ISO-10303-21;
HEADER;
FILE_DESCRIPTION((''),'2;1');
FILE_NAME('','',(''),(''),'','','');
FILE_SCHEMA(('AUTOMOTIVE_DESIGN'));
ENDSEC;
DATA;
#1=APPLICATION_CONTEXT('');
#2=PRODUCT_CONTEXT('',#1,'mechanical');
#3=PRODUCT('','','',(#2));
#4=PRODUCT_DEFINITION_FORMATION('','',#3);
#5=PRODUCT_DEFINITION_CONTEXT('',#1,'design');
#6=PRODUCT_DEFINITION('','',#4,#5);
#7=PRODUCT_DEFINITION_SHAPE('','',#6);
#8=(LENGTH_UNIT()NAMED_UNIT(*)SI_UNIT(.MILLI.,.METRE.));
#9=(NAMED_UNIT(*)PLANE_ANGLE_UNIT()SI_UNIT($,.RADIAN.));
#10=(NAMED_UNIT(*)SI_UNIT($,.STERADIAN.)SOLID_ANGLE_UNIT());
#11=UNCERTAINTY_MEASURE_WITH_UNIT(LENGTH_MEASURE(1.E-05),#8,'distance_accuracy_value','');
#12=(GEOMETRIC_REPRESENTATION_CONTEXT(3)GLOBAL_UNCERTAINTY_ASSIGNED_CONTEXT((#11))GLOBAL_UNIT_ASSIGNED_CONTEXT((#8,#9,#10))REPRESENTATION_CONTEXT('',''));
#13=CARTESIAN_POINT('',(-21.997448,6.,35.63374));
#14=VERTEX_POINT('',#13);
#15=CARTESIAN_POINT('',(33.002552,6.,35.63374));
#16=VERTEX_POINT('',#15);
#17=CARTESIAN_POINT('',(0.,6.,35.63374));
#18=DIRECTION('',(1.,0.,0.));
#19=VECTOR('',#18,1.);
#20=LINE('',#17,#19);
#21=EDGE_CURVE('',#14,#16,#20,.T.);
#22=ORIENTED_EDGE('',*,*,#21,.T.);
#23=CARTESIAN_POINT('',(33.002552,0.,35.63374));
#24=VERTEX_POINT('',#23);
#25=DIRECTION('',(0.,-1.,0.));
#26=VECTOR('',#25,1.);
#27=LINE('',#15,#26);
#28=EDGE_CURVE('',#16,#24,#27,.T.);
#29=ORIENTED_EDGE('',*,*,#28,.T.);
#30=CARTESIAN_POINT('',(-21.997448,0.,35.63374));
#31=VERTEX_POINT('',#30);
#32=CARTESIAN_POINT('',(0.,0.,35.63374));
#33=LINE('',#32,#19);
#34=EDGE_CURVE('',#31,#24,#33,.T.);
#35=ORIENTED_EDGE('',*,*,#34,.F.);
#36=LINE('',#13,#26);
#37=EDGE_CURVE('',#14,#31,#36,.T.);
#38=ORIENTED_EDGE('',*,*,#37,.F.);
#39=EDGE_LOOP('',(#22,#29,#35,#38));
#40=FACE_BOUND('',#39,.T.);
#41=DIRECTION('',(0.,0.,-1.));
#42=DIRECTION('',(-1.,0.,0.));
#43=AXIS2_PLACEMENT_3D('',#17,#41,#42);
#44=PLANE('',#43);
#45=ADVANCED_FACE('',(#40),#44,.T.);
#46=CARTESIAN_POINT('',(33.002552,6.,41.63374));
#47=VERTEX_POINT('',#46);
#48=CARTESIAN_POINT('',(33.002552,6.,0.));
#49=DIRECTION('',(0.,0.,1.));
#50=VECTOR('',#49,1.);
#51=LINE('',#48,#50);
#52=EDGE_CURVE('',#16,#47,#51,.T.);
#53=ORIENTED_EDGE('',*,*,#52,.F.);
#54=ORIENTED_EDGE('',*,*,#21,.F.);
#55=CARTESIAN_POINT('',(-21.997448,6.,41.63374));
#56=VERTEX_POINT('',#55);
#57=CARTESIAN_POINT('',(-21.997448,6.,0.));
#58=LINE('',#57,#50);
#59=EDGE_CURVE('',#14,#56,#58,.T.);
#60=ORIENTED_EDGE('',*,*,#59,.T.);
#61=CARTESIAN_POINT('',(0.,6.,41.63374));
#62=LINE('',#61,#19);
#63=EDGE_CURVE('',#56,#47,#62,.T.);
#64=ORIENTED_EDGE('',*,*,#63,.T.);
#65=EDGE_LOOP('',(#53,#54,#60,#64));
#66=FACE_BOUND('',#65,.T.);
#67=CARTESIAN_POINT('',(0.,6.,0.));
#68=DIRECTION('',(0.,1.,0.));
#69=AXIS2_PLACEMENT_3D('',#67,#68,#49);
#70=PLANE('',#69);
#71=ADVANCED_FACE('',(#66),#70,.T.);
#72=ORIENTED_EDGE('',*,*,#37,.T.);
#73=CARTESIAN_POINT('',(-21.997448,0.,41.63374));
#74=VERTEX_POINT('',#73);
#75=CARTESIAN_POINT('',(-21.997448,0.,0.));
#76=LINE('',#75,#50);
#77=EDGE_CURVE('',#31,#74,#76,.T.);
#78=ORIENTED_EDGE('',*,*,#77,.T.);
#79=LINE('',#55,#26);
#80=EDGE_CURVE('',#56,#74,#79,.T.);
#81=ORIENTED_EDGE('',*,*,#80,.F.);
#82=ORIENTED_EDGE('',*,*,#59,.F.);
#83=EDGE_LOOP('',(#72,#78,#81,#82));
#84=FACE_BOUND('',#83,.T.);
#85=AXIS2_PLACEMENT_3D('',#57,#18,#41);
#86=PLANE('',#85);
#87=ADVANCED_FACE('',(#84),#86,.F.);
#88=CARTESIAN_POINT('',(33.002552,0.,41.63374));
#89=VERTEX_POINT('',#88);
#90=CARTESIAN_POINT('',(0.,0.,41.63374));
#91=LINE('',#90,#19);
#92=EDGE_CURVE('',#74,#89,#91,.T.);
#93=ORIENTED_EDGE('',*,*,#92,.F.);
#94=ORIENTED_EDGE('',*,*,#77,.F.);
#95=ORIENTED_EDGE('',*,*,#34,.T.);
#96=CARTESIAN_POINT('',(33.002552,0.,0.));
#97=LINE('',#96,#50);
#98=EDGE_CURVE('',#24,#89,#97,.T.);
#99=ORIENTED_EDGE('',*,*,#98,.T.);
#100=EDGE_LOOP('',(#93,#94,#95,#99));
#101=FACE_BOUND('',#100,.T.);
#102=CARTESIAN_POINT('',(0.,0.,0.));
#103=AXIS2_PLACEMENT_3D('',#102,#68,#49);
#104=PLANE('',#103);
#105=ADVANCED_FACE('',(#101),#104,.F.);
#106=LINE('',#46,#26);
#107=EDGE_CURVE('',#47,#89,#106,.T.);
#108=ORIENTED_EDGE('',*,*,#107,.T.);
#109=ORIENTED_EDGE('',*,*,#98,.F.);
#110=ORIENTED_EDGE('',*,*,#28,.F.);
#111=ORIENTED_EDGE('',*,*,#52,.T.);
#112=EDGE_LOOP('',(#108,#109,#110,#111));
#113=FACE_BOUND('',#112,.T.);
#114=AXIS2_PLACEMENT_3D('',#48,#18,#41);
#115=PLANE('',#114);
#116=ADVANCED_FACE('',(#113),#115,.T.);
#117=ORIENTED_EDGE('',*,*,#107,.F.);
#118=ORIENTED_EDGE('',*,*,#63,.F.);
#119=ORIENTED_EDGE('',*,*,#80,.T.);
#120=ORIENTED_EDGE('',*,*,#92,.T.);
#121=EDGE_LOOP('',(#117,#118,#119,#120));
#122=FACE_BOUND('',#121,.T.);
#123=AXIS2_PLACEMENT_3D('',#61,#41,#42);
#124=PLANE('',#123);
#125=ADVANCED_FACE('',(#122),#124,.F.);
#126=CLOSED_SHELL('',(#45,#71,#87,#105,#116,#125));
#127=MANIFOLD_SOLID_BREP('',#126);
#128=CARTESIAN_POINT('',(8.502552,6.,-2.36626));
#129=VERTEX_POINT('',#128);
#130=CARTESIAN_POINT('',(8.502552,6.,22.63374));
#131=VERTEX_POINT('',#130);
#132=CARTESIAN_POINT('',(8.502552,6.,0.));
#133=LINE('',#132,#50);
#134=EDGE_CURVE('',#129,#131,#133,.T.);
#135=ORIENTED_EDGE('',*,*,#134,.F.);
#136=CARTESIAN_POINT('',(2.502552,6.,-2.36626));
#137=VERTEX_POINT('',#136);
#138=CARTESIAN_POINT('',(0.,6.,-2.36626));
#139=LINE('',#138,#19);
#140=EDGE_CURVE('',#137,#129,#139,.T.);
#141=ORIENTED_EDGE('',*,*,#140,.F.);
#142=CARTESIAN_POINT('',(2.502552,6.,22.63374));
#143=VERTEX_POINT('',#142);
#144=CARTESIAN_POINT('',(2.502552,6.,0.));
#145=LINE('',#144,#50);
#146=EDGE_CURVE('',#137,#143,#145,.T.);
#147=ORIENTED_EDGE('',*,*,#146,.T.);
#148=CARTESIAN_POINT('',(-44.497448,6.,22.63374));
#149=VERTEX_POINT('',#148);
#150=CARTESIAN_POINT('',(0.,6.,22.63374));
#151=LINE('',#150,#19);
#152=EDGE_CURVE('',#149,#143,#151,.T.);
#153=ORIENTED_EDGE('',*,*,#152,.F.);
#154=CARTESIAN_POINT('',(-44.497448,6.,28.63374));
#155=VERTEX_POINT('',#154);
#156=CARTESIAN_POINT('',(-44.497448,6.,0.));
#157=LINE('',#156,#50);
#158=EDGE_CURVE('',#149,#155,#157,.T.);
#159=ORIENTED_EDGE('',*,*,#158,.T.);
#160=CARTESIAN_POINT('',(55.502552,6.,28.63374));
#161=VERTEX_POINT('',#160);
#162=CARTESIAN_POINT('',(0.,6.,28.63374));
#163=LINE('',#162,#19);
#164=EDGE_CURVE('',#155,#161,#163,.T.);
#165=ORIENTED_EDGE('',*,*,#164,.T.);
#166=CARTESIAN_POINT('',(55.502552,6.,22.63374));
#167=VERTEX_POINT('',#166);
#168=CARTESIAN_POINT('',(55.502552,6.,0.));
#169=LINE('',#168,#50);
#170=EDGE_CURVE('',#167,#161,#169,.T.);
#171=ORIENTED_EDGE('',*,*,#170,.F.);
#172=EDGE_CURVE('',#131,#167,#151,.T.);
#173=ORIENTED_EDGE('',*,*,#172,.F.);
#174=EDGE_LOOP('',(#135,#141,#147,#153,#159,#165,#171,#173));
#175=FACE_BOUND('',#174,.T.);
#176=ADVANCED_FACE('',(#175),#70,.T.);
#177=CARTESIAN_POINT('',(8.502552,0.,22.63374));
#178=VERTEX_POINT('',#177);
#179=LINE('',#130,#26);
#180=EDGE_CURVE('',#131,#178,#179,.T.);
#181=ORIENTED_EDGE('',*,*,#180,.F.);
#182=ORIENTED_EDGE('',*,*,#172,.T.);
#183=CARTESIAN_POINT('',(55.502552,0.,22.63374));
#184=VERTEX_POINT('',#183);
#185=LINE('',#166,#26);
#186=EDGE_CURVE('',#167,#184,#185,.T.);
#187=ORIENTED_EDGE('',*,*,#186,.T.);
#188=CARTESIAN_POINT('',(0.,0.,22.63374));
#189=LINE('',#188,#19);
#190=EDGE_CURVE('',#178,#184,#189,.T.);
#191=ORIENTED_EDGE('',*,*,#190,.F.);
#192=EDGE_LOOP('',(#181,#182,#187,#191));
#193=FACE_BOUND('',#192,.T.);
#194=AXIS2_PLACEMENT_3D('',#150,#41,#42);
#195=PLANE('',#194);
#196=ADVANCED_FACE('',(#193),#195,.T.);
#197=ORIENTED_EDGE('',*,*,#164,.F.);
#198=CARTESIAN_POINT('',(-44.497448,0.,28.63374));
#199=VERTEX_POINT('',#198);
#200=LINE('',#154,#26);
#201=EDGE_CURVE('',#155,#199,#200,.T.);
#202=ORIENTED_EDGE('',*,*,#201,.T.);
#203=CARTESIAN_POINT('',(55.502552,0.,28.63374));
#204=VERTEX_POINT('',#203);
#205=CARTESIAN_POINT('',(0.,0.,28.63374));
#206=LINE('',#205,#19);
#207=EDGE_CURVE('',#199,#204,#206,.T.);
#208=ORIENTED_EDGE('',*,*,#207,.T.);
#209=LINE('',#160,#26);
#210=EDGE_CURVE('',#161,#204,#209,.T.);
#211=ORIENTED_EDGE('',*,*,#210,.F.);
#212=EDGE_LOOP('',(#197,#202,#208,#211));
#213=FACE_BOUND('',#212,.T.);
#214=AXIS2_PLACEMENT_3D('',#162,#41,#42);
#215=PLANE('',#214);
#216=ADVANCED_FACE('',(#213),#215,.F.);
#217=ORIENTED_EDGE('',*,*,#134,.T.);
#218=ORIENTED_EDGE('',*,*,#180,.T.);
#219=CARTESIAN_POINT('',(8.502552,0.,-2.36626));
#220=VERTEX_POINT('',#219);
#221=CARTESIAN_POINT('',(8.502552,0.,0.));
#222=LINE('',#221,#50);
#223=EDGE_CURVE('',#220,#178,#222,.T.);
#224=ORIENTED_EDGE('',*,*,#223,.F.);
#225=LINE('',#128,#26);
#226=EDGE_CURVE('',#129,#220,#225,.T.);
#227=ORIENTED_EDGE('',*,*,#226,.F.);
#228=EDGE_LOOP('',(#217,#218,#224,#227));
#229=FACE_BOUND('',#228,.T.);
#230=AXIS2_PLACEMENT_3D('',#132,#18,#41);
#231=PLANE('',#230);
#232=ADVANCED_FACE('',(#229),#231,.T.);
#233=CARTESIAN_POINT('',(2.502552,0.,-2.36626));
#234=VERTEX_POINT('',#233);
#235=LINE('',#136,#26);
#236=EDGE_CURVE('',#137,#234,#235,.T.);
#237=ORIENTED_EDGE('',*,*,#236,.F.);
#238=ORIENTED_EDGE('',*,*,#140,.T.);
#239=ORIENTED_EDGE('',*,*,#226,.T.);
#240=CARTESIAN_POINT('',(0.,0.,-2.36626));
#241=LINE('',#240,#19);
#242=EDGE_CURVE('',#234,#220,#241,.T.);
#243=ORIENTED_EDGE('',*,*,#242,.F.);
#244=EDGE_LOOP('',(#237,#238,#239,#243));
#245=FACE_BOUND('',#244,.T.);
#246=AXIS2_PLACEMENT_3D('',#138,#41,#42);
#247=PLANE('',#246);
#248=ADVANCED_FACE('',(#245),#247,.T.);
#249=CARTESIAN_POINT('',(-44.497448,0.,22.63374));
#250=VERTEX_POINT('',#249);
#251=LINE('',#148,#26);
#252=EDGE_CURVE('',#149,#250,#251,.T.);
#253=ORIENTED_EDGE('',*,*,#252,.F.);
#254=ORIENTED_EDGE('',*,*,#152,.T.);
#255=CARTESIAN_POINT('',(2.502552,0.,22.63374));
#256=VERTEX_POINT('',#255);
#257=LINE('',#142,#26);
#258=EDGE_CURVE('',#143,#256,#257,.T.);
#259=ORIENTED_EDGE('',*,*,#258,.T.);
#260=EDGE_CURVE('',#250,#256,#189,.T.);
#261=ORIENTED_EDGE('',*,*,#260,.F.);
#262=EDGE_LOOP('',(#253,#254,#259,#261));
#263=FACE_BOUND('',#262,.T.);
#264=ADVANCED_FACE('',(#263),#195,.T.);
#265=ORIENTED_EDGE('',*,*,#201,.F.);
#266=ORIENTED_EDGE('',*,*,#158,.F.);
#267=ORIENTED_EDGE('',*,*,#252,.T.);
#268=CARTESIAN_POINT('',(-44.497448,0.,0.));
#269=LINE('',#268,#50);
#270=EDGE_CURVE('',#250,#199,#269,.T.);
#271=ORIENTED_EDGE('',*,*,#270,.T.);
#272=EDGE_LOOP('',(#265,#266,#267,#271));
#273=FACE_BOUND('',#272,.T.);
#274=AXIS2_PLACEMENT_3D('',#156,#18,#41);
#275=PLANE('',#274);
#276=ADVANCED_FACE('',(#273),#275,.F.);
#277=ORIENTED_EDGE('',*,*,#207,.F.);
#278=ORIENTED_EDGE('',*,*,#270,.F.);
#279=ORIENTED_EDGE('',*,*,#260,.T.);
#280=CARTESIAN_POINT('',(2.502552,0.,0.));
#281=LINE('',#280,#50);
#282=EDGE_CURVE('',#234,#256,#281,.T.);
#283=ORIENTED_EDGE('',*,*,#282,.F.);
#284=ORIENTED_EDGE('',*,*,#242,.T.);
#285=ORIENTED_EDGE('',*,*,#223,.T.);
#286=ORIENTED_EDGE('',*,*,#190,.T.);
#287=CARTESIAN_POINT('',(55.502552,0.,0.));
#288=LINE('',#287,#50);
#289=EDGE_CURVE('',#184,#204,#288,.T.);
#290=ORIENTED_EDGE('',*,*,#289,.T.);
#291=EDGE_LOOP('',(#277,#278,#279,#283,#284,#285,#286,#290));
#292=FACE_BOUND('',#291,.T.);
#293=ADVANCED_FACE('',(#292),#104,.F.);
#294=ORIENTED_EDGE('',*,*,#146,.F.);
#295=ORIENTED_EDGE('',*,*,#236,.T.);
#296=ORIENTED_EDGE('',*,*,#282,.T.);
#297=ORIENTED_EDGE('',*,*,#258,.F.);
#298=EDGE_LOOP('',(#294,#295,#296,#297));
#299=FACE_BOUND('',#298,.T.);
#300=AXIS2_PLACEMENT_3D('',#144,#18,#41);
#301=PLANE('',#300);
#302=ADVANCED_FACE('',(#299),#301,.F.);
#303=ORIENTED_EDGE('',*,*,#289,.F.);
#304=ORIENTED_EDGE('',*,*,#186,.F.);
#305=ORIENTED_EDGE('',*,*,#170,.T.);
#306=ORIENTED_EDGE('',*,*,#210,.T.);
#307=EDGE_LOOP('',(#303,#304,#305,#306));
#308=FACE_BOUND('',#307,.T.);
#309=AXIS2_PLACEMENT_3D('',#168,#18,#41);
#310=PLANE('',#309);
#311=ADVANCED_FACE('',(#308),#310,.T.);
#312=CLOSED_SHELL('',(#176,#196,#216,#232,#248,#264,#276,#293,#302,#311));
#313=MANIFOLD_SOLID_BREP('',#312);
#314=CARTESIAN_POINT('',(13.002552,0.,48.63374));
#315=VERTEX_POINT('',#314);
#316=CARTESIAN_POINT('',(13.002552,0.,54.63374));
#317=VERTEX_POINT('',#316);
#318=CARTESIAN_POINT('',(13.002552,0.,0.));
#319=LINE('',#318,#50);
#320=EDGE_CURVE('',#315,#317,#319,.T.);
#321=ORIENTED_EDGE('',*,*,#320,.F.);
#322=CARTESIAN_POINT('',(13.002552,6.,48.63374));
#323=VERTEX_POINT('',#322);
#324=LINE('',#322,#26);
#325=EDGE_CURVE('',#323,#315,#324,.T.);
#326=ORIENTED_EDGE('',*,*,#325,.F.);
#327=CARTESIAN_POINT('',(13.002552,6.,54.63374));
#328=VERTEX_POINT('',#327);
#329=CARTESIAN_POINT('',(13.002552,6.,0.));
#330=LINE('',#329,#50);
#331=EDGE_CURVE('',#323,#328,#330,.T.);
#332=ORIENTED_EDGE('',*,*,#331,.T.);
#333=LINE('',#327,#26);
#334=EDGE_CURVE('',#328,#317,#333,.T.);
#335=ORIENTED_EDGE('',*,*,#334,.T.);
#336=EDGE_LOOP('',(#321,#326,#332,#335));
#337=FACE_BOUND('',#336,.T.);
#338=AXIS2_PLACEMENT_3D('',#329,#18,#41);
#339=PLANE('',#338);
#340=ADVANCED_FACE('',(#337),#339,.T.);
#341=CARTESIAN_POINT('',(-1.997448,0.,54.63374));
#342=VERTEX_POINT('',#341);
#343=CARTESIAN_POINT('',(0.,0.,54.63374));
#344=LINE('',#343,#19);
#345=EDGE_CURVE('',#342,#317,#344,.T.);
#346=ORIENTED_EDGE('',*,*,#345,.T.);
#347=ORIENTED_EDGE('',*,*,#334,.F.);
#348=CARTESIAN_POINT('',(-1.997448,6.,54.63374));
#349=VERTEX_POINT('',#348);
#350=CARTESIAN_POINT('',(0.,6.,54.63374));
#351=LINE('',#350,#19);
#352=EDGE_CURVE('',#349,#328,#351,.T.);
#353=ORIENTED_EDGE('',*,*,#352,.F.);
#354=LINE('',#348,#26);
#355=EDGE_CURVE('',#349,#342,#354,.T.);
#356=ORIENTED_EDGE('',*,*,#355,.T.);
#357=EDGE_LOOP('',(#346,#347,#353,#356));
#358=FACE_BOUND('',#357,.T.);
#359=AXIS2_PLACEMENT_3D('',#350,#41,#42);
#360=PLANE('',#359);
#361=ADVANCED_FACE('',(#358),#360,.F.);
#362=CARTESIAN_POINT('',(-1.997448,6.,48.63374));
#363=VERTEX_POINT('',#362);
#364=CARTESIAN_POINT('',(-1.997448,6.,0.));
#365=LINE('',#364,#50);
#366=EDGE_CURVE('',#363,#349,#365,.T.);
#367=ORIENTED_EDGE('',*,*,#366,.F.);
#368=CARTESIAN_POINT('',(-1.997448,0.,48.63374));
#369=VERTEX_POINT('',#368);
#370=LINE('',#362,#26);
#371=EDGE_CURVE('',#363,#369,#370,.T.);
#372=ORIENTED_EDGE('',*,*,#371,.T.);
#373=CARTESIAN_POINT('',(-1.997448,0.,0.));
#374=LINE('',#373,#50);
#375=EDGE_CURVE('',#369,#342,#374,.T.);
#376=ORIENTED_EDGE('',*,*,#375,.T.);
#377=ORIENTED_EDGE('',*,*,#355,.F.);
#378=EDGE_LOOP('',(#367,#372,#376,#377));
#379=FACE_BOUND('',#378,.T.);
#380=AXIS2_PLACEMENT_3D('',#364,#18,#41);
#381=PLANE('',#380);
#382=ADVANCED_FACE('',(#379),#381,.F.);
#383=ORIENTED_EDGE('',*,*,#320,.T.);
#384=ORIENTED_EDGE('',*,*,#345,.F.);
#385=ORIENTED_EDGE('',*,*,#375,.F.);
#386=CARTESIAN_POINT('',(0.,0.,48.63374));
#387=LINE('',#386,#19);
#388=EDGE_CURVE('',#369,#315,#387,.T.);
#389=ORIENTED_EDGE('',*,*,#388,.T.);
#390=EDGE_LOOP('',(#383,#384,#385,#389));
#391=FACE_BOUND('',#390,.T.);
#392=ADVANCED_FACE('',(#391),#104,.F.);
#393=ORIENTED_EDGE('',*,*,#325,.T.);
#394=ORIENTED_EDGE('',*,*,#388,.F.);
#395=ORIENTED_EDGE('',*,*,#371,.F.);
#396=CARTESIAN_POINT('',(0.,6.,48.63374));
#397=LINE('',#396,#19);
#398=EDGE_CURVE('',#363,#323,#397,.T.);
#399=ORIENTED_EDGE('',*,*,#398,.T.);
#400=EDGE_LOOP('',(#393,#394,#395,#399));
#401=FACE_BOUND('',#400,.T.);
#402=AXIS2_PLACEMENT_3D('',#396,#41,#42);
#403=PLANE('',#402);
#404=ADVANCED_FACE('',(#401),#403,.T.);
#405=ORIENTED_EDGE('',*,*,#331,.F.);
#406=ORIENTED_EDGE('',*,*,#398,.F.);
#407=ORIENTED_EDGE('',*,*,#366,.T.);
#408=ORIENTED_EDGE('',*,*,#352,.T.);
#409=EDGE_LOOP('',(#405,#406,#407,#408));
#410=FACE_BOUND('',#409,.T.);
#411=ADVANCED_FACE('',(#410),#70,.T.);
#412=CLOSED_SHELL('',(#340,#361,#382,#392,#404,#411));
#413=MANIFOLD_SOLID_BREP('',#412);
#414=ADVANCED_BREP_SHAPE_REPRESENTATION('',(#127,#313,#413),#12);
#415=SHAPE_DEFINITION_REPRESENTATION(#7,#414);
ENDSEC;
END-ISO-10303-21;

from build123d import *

# Parameters (mm, degrees)
SKETCH1_W           = 6
SKETCH1_H           = 25
SKETCH1_W_2         = 55
SKETCH1_H_2         = 6
SKETCH1_W_3         = 15
BOSS_EXTRUDE2_DEPTH = 6


with BuildPart() as part:
    # Sketch1 → Boss-Extrude2 (new body)
    with BuildSketch(Plane(origin=(0, 0, 0), x_dir=(1, 0, 0), z_dir=(0, 1, 0))):
        with Locations((5.502552118, -10.133739965)):
            Rectangle(SKETCH1_W, SKETCH1_H)
        Polygon((8.502552118, -22.633739965), (2.502552118, -22.633739965), (-44.497447882, -22.633739965), (-44.497447882, -28.633739965), (55.502552118, -28.633739965), (55.502552118, -22.633739965), align=None)
        with Locations((5.502552118, -38.633739965)):
            Rectangle(SKETCH1_W_2, SKETCH1_H_2)
        with Locations((5.502552118, -51.633739965)):
            Rectangle(SKETCH1_W_3, SKETCH1_H_2)
    extrude(amount=BOSS_EXTRUDE2_DEPTH)


solid = part.part
